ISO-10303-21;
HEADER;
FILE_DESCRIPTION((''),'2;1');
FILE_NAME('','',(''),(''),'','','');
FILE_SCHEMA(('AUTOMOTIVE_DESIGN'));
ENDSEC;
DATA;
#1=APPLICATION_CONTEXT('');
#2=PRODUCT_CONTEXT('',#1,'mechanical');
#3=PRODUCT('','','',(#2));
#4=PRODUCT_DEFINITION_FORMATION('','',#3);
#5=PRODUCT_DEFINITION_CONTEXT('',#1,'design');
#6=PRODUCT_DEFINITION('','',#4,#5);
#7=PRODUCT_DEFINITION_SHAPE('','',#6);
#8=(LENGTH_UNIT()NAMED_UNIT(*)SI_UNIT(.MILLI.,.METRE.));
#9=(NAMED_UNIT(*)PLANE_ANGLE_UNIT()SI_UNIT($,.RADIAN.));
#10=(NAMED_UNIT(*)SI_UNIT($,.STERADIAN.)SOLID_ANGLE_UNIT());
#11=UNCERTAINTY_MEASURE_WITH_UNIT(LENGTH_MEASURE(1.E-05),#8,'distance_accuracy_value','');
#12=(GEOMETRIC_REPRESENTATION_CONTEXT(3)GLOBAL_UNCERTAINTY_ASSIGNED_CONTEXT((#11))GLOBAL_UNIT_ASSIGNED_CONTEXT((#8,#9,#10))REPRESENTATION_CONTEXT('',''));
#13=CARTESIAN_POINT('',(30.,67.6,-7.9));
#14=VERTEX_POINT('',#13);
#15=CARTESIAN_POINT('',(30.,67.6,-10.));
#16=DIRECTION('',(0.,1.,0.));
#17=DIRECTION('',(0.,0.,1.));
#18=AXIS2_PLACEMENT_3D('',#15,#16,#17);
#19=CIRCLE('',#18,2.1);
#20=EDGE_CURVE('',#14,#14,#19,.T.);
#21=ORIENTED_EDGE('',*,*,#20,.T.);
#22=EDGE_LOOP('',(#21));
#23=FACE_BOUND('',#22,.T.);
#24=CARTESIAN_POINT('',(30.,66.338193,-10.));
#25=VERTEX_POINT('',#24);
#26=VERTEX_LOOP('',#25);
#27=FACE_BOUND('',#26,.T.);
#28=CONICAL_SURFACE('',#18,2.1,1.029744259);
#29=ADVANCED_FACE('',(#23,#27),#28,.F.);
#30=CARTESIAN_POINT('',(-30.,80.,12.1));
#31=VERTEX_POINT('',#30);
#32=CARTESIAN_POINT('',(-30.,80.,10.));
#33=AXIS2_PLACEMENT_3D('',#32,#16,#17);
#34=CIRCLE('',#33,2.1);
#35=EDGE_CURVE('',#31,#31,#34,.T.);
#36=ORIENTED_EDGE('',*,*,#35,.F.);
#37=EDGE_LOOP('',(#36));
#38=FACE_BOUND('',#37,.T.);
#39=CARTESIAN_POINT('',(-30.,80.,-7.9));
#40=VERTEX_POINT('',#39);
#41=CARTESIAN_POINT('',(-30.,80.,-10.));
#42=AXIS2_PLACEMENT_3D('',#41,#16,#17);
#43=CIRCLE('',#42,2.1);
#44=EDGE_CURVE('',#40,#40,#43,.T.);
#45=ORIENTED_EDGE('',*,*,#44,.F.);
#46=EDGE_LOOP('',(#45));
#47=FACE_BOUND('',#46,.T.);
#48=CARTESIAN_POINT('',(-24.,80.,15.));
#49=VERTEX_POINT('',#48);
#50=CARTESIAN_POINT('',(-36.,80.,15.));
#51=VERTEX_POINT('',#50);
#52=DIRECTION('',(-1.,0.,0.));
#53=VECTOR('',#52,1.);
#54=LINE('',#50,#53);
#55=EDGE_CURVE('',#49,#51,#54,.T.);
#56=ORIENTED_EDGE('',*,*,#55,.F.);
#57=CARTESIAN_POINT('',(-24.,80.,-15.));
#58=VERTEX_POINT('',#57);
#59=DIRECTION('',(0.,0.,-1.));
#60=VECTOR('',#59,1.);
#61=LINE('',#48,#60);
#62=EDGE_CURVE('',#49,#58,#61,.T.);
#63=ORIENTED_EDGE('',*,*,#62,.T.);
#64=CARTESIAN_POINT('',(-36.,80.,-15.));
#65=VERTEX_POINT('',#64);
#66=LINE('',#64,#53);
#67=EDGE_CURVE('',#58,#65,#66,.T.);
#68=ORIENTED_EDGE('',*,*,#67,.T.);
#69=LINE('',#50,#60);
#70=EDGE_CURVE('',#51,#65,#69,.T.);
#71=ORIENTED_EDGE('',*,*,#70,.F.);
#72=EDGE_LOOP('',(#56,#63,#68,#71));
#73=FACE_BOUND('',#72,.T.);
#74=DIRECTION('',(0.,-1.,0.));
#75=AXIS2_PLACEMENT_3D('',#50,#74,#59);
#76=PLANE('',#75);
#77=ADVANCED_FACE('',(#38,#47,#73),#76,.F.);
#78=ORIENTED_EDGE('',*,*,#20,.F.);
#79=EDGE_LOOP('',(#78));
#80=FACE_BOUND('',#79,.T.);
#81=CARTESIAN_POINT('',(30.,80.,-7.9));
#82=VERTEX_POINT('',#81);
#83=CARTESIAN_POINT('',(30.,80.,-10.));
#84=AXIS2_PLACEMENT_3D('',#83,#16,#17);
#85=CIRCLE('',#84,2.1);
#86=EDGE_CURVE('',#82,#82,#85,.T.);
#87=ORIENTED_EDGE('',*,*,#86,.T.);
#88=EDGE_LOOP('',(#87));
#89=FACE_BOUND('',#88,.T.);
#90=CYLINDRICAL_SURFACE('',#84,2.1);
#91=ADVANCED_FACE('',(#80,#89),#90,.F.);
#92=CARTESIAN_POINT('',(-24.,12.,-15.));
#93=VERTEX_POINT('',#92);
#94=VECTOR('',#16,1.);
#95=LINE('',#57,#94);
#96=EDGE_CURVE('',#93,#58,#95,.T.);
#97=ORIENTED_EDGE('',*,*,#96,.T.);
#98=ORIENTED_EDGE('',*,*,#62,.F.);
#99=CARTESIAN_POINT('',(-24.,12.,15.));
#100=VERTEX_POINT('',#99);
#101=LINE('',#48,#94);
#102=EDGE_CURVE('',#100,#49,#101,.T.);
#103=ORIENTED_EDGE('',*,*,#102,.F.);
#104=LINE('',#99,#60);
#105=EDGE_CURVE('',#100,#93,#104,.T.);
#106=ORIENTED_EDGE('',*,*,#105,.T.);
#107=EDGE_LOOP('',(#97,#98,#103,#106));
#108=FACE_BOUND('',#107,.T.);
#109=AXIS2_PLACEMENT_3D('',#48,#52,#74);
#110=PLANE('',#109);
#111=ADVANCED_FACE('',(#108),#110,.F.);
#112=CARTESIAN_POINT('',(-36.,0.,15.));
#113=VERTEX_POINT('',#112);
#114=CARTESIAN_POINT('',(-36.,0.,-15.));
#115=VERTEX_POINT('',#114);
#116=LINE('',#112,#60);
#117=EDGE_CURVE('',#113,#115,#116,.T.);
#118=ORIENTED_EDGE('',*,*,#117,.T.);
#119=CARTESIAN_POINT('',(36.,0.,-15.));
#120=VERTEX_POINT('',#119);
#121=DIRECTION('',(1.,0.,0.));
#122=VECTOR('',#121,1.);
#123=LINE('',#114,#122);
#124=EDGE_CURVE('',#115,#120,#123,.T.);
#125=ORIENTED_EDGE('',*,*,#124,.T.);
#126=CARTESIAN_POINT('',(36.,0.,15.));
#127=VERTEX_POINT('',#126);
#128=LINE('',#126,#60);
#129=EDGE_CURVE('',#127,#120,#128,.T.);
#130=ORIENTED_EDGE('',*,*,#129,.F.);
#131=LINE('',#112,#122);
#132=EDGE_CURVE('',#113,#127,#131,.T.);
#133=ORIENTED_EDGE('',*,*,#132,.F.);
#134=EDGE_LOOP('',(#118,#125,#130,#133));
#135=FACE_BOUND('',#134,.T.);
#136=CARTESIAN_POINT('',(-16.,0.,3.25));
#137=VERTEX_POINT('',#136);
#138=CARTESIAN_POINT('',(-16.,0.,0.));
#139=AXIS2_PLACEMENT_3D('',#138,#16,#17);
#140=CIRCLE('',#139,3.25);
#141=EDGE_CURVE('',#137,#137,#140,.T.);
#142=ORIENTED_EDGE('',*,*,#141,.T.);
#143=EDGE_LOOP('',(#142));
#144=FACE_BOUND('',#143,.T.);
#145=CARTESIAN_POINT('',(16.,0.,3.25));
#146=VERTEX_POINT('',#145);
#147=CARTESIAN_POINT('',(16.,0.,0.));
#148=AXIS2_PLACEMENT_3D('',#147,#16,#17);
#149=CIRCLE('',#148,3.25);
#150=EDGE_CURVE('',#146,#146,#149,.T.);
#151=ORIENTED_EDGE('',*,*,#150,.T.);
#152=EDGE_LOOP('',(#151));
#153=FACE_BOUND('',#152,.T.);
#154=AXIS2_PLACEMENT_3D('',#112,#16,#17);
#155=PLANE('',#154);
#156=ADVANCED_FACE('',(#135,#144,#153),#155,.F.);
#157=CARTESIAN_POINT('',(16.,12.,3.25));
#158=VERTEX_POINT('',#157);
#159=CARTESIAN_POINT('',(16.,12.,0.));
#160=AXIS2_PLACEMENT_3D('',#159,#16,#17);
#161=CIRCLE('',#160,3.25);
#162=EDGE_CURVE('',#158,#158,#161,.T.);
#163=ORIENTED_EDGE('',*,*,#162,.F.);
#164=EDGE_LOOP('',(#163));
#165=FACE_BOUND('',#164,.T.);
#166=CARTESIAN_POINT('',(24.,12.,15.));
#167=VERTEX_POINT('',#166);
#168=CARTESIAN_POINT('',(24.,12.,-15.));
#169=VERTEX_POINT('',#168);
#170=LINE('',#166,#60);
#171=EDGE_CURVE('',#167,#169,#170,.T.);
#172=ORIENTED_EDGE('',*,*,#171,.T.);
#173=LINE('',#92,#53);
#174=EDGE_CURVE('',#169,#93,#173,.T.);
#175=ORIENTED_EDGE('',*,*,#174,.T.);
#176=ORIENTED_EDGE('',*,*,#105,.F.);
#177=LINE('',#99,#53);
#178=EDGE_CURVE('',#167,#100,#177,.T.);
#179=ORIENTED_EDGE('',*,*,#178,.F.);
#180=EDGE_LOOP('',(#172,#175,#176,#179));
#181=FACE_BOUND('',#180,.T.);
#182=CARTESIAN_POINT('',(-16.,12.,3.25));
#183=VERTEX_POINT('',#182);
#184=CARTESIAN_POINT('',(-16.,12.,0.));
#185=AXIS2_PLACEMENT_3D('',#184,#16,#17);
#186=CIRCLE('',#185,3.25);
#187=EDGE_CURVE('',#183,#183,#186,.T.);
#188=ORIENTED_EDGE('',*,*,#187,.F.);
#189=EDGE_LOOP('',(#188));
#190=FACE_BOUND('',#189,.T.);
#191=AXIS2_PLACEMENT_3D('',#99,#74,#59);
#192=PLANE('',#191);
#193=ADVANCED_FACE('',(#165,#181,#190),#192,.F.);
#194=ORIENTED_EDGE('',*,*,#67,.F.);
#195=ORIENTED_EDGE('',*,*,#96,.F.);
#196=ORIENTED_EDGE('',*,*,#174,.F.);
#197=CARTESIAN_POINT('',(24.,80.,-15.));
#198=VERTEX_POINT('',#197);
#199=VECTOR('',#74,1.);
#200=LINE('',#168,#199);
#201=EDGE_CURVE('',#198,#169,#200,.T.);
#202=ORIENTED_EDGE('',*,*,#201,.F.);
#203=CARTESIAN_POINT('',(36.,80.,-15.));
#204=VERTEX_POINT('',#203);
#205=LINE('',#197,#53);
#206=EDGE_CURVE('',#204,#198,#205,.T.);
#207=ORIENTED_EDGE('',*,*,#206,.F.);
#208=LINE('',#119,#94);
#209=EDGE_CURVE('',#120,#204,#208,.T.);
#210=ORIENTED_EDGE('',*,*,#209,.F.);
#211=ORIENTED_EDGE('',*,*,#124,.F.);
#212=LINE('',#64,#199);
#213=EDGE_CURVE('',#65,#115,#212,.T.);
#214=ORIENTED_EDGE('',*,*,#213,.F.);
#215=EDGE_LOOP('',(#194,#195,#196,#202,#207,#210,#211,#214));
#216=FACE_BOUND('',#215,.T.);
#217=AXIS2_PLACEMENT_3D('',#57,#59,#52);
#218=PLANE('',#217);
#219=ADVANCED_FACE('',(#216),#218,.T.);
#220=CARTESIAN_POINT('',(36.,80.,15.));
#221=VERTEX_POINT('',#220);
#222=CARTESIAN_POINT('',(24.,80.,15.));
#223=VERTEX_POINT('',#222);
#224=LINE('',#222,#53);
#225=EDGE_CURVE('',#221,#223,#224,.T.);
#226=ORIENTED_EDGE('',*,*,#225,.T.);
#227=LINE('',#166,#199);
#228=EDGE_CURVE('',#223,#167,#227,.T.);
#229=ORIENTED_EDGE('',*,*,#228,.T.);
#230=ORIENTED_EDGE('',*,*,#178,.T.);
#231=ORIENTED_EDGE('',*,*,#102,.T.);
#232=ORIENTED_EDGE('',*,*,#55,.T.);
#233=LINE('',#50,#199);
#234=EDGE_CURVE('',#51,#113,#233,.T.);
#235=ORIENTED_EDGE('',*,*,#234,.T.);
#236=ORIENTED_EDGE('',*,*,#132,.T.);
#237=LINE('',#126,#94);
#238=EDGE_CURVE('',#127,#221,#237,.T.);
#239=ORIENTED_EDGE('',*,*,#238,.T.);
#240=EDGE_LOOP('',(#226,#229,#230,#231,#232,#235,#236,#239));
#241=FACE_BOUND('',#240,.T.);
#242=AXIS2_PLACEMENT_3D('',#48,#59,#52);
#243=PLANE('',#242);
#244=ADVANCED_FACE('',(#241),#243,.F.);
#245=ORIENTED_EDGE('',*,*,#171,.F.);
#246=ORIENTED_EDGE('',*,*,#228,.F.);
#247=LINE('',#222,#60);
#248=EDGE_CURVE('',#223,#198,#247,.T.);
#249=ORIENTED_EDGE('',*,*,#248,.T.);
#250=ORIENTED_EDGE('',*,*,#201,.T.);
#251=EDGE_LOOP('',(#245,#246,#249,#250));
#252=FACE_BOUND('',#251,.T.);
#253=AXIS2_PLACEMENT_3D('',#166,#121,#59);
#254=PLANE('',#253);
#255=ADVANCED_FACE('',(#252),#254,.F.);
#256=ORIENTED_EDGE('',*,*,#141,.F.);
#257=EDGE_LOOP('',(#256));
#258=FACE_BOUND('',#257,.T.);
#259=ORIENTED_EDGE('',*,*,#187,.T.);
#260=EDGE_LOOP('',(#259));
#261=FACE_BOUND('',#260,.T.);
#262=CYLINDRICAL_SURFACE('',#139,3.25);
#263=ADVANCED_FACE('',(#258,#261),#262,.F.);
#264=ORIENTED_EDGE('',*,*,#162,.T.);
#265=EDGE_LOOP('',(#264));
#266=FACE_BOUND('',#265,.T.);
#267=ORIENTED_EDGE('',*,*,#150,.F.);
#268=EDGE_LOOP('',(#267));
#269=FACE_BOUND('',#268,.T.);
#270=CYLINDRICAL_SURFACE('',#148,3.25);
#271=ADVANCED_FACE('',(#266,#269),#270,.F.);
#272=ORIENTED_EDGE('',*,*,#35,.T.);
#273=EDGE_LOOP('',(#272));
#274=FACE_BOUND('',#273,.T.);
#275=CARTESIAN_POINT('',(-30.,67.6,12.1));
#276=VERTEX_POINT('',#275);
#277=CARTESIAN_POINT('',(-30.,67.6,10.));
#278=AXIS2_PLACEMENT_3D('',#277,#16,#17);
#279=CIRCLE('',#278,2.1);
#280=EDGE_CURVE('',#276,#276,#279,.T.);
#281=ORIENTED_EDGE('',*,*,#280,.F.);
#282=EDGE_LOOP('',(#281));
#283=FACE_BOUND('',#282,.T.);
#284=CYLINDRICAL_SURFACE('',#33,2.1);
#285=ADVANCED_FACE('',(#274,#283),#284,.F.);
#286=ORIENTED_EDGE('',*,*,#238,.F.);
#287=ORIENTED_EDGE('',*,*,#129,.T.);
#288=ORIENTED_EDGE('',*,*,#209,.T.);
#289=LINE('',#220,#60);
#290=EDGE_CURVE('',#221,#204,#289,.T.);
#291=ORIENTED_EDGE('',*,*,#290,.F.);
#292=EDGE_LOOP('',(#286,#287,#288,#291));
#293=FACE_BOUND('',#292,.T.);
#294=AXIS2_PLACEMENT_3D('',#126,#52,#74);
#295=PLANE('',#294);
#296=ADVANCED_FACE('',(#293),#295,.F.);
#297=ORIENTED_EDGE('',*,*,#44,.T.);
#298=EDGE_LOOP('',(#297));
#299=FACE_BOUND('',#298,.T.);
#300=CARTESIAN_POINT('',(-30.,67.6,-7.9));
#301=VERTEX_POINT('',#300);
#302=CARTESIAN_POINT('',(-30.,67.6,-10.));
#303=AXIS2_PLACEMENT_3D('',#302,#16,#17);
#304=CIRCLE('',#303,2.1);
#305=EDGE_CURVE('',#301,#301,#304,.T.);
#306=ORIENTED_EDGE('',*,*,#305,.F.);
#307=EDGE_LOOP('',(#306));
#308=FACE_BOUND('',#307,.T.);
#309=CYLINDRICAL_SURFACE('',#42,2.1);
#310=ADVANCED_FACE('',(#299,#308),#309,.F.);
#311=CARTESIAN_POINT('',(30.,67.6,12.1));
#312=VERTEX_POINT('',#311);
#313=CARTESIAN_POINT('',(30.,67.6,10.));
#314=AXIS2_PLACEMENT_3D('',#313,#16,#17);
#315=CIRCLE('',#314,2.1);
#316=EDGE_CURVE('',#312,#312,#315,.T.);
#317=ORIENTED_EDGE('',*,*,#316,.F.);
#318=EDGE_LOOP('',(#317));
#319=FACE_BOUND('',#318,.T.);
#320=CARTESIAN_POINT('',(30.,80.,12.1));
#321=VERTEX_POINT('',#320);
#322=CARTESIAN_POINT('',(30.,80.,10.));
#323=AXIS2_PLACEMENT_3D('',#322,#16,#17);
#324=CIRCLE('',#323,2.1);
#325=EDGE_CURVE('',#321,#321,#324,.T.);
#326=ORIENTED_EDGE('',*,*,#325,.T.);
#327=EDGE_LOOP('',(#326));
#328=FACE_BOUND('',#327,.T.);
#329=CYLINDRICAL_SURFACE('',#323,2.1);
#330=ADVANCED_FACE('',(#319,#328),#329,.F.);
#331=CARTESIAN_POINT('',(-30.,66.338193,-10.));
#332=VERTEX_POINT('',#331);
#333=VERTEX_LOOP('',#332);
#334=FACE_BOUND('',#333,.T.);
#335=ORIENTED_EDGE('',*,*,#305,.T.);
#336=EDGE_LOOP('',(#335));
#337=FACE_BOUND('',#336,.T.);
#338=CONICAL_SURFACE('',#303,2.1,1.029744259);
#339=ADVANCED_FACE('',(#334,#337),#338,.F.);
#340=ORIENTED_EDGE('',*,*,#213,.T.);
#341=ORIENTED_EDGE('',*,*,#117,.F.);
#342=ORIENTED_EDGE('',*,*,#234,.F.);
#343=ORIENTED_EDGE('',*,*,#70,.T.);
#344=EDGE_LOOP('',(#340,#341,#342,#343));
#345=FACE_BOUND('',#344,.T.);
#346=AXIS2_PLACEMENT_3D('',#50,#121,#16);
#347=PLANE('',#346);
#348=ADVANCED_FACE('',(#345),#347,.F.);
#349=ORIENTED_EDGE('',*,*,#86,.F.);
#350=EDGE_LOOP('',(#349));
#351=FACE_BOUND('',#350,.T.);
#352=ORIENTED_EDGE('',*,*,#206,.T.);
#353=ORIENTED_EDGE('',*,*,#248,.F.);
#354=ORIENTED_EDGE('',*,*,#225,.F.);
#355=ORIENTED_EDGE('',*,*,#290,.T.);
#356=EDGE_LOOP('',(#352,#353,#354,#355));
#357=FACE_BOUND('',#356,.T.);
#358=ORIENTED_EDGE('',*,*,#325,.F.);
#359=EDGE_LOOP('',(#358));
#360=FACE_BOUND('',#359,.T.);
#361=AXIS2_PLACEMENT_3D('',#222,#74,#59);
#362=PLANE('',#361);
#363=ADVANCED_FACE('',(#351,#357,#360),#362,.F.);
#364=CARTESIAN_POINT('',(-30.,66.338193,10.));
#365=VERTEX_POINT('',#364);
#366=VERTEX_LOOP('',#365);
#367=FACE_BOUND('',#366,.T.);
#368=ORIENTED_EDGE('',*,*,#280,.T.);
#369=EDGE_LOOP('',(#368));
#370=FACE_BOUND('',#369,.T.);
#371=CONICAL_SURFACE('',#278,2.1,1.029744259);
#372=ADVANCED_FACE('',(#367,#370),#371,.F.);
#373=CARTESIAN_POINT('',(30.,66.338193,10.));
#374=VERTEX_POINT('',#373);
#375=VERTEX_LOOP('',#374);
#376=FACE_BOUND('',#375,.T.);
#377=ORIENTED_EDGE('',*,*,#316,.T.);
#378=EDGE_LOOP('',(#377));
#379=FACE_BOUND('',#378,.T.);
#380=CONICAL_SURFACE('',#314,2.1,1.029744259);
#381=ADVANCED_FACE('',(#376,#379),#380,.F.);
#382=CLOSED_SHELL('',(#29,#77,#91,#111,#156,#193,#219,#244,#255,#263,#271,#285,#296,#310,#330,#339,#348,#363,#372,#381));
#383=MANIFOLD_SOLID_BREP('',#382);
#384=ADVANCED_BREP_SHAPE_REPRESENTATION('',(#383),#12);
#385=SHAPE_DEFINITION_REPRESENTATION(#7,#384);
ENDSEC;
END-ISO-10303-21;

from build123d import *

# Parameters (mm, degrees)
EXTRUDE_1_DEPTH     = 15
M5X0_8_1_D          = 4.2
M5X0_8_1_DEPTH      = 12.4
M5X0_8_1_TIP        = 1.2618073
SKETCH_4_R          = 3.25
CUT_EXTRUDE_1_DEPTH = 79.390050389


with BuildPart() as part:
    # 草图1 → 凸台-拉伸1 (new, symmetric)
    with BuildSketch(Plane.XY):
        Polygon((-36, 80), (-36, 0), (36, 0), (36, 80), (24, 80), (24, 12), (-24, 12), (-24, 80), align=None)
    extrude(amount=EXTRUDE_1_DEPTH, both=True)

    # M5x0.8 螺纹孔1
    with Locations(Plane(origin=(0, 80, 0), x_dir=(-1, 0, 0), z_dir=(0, 1, 0))):
        with Locations((-30, -10), (30, -10), (30, 10), (-30, 10)):
            Hole(M5X0_8_1_D / 2, depth=M5X0_8_1_DEPTH)
            with Locations((0, 0, -(M5X0_8_1_DEPTH + M5X0_8_1_TIP / 2))):  # 118° drill point
                Cone(0, M5X0_8_1_D / 2, M5X0_8_1_TIP, mode=Mode.SUBTRACT)

    # 草图4 → 切除-拉伸1 (cut, through all)
    with BuildSketch(Plane(origin=(0, 12, 0), x_dir=(1, 0, 0), z_dir=(0, 1, 0))):
        with Locations(Location((-16, 0, 0), (0, 0, 270))):
            Circle(SKETCH_4_R)
        with Locations(Location((16, 0, 0), (0, 0, 270))):
            Circle(SKETCH_4_R)
    extrude(amount=-CUT_EXTRUDE_1_DEPTH, mode=Mode.SUBTRACT)


solid = part.part
